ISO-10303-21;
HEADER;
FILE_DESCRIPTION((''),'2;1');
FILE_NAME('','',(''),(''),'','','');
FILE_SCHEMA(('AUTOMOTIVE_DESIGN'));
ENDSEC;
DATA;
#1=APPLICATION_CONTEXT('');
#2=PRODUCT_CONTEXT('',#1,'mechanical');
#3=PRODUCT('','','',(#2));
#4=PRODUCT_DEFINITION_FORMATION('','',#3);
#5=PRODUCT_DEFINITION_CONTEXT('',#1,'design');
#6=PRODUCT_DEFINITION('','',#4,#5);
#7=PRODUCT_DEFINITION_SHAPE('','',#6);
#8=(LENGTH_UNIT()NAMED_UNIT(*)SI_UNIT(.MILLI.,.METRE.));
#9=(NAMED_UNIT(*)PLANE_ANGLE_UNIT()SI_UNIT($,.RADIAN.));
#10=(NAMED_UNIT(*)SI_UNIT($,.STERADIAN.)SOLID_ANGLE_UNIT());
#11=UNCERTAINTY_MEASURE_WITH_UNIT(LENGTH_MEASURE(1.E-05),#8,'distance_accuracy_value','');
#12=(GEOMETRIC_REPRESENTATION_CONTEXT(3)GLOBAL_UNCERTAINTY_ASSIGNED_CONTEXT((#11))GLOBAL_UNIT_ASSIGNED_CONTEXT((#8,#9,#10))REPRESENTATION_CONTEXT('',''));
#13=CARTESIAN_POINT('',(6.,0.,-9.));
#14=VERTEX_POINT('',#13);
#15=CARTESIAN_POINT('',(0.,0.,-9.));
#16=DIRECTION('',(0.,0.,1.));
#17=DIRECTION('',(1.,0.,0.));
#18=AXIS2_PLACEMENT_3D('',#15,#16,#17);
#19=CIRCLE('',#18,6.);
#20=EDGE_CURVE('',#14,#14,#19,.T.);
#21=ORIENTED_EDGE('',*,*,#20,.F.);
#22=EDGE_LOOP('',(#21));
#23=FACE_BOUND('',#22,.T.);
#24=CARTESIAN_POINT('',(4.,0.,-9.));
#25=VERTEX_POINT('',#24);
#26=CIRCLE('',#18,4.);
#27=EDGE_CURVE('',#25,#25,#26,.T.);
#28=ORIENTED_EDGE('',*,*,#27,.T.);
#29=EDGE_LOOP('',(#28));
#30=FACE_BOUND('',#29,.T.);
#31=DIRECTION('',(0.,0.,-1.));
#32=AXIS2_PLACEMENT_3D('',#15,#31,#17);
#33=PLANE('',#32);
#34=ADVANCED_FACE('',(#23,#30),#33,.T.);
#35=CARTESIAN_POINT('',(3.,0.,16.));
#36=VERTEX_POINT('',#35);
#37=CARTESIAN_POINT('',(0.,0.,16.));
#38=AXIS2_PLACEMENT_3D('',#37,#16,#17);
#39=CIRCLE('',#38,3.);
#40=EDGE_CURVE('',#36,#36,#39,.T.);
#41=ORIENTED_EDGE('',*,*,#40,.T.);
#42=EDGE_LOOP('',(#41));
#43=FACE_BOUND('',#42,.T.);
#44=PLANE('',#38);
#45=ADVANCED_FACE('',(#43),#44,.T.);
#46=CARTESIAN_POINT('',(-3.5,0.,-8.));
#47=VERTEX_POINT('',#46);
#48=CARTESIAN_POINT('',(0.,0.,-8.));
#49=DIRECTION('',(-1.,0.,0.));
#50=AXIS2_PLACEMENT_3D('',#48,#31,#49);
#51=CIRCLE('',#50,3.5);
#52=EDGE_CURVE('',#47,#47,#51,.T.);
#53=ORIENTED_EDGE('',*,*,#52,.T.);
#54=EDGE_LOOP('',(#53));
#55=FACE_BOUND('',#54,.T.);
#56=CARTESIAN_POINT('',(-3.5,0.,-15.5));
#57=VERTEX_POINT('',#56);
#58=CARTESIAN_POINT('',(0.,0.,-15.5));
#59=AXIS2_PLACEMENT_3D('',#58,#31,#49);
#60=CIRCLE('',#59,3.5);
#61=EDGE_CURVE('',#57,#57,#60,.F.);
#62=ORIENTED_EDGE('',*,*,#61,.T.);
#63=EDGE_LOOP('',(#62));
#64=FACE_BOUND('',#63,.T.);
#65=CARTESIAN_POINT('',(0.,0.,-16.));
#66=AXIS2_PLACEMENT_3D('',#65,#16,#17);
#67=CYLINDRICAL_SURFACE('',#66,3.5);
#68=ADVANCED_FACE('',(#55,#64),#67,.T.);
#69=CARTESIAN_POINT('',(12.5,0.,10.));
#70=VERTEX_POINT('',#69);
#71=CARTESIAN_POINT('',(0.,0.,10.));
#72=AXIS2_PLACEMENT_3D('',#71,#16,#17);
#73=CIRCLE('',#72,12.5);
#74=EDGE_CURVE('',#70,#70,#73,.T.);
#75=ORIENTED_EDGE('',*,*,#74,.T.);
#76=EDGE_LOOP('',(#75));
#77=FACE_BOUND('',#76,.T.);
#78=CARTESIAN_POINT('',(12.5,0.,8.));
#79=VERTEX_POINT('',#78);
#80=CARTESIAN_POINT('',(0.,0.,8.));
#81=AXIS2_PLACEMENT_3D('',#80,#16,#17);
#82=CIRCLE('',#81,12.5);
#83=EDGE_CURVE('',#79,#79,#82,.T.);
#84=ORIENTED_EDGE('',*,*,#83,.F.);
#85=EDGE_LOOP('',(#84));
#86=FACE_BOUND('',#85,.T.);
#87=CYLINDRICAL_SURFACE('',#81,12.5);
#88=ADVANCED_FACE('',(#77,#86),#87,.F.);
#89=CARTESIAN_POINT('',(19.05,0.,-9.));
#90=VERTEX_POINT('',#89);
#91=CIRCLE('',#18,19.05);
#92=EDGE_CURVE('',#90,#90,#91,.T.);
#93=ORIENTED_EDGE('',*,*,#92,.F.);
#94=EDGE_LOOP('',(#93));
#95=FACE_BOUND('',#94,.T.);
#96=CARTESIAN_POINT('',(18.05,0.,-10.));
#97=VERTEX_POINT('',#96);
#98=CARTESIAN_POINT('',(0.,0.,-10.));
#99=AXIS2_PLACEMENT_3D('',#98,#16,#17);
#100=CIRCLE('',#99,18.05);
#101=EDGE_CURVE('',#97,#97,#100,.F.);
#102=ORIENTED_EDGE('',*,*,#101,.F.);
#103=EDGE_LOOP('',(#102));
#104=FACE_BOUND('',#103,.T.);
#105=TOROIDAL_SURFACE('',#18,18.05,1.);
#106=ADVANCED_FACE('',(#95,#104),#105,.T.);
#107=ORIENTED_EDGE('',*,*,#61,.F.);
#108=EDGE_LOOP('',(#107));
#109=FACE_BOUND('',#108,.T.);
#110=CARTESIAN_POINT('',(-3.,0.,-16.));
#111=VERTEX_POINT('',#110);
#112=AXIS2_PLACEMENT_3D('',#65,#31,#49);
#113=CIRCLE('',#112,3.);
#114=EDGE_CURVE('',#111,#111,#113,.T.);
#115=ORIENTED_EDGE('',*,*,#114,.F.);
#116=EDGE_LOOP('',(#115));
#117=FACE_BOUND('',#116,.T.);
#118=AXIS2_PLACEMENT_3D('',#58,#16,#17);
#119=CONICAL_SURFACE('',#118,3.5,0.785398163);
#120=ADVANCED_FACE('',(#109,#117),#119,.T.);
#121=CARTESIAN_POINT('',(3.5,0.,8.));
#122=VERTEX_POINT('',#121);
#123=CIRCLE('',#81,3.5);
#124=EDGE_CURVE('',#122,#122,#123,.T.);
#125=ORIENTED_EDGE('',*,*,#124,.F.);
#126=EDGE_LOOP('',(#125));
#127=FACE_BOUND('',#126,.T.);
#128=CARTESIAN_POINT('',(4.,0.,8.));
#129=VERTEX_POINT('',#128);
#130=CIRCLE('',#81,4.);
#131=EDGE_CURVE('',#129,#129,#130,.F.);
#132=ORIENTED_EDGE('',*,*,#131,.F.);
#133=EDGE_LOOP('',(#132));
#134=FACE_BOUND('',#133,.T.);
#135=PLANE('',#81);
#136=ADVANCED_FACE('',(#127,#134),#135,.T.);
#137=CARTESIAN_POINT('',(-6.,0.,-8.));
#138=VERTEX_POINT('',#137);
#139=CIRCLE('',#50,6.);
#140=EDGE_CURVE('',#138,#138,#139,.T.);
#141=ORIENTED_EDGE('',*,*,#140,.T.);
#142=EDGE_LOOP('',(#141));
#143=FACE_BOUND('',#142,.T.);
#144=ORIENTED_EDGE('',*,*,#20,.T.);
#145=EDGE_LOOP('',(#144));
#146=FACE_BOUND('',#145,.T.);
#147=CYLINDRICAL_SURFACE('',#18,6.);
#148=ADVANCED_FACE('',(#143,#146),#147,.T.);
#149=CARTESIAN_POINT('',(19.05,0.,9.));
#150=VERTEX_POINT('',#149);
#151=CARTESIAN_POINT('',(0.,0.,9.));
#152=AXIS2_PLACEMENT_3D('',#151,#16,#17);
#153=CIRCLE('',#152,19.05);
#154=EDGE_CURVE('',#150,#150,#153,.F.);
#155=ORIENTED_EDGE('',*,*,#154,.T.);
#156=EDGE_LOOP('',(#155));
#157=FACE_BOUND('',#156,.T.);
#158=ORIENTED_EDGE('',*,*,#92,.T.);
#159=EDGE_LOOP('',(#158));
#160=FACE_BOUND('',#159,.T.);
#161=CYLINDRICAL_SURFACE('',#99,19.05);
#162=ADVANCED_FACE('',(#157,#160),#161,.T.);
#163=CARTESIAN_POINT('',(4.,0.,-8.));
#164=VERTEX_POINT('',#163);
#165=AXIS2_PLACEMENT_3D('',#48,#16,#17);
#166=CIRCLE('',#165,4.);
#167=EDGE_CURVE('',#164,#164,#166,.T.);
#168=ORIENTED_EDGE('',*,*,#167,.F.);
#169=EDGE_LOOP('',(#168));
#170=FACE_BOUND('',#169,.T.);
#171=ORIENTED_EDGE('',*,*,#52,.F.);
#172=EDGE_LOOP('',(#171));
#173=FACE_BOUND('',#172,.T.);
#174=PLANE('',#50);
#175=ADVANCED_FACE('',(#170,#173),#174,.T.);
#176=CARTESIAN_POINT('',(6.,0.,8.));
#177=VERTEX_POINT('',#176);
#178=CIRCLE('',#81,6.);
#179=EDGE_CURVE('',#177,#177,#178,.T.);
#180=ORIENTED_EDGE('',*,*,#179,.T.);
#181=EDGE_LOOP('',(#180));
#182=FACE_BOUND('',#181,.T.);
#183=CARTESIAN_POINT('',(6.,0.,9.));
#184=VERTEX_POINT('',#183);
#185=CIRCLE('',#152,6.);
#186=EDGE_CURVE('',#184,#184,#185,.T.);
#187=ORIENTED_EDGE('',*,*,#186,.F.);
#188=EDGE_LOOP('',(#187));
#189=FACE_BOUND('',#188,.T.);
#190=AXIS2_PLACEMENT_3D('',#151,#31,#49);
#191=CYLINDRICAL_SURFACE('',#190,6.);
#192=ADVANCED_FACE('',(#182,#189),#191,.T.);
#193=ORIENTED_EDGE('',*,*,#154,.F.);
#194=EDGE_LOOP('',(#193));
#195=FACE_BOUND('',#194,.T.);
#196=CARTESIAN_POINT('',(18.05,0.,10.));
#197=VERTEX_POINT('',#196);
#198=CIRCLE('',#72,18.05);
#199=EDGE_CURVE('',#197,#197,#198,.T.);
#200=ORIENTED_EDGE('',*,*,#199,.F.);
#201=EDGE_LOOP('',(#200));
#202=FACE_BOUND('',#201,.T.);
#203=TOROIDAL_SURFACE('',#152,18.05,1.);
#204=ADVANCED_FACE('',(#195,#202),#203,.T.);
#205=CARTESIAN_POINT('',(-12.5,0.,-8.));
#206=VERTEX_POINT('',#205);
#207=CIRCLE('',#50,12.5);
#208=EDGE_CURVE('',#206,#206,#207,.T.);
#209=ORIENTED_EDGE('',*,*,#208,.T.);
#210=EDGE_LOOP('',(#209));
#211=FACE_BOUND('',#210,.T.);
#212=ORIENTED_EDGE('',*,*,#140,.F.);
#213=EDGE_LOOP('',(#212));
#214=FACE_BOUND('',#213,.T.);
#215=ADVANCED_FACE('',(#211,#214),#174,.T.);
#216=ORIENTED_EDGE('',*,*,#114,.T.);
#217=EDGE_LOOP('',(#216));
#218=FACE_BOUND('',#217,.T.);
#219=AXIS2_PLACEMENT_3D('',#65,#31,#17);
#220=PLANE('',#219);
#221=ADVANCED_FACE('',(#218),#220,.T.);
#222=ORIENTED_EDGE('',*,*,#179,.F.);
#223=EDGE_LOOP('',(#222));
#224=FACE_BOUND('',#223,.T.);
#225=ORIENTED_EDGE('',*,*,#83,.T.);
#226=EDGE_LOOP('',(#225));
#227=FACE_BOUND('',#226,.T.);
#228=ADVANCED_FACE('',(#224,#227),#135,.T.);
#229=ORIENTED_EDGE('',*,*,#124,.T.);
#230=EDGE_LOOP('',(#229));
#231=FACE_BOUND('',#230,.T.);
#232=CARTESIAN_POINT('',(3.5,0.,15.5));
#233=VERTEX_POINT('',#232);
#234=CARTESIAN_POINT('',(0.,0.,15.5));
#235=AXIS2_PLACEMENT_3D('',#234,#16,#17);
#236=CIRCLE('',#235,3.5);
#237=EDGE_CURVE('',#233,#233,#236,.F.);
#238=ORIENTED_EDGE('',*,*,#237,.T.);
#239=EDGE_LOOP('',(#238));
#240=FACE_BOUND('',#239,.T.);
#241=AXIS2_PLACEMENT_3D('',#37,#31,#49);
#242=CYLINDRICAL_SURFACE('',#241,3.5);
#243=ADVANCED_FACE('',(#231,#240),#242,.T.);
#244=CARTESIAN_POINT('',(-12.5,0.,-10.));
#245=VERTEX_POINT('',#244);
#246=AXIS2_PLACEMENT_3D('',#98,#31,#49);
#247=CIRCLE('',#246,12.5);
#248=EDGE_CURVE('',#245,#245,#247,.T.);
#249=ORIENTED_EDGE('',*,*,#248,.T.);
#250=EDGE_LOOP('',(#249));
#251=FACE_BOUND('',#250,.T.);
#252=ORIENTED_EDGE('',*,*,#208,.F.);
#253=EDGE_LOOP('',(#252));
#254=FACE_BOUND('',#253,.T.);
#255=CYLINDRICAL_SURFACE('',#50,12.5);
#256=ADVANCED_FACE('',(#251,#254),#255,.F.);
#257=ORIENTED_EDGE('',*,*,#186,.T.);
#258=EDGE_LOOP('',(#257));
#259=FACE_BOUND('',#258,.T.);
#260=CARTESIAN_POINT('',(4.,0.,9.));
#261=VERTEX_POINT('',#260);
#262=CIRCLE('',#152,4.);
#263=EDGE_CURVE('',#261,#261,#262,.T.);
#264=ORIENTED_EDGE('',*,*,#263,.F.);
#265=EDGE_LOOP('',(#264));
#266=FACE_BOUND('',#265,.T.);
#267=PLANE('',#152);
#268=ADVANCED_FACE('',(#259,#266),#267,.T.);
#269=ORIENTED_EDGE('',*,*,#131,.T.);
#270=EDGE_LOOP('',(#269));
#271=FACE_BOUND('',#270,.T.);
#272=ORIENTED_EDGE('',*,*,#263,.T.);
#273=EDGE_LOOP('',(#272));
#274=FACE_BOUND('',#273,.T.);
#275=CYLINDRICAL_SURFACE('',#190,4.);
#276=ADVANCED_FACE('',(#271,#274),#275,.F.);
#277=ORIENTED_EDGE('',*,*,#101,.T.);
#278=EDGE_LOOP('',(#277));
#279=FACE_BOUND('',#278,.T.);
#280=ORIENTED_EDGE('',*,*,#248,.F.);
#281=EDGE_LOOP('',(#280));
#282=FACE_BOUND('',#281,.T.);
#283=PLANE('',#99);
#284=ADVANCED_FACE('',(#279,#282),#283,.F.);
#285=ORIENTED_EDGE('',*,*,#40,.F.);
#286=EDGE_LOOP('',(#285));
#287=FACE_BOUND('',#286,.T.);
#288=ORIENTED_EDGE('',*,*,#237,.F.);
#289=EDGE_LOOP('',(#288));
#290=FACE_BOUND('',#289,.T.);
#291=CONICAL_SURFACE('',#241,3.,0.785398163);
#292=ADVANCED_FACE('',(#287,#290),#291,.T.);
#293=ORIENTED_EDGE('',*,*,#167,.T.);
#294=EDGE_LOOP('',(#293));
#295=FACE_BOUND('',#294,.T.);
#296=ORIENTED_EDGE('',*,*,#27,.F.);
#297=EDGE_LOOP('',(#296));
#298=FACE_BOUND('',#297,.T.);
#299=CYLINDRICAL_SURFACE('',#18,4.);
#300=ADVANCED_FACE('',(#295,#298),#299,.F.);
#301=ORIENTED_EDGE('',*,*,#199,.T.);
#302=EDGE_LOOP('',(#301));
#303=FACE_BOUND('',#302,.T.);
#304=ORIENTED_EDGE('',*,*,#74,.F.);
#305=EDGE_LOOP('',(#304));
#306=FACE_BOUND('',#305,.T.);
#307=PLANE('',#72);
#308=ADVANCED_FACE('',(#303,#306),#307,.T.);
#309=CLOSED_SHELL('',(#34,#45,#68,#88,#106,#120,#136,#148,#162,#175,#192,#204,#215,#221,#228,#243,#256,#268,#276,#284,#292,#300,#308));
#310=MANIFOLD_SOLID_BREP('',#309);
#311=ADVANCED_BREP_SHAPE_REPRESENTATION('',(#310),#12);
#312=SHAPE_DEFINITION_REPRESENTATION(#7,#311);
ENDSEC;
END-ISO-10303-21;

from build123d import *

# Parameters (mm, degrees)
BOSS_EXTRUDE1_DEPTH      = 10
BOSS_EXTRUDE1_DEPTH_BACK = 10
SKETCH1_R                = 19.05
FILLET1_R                = 1
SKETCH2_R                = 12.5
CUT_EXTRUDE1_DEPTH       = 2
CUT_EXTRUDE2_START       = -2
SKETCH3_R                = 12.5
CUT_EXTRUDE2_DEPTH       = 2
SKETCH4_R                = 6
SKETCH4_R_2              = 4
BOSS_EXTRUDE2_DEPTH      = 1
SKETCH5_R                = 3.5
BOSS_EXTRUDE3_DEPTH      = 8
CHAMFER1_SIZE            = 0.5


with BuildPart() as part:
    # Sketch1 → Boss-Extrude1 (new, two sides: drawn at the far end of the back side and taken through both)
    with BuildSketch(Plane.XY.offset(-BOSS_EXTRUDE1_DEPTH_BACK)):
        Circle(SKETCH1_R)
    extrude(amount=BOSS_EXTRUDE1_DEPTH + BOSS_EXTRUDE1_DEPTH_BACK)

    # Fillet1
    fillet1_edges = [part.edges().sort_by_distance(p)[0] for p in [
        (-19.05, 0, -10),
        (-19.05, 0, 10),
    ]]
    fillet(fillet1_edges, radius=FILLET1_R)

    # Sketch2 → Cut-Extrude1 (cut)
    with BuildSketch(Plane.XY.offset(10)):
        Circle(SKETCH2_R)
    extrude(amount=-CUT_EXTRUDE1_DEPTH, mode=Mode.SUBTRACT)

    # Sketch3 → Cut-Extrude2 (cut)
    with BuildSketch(Plane(origin=(0, 0, -10), x_dir=(-1, 0, 0), z_dir=(0, 0, -1)).offset(CUT_EXTRUDE2_START)):
        Circle(SKETCH3_R)
    extrude(amount=CUT_EXTRUDE2_DEPTH, mode=Mode.SUBTRACT)

    # Sketch4 → Boss-Extrude2 (add)
    with BuildSketch(Plane.XY.offset(8)):
        Circle(SKETCH4_R)
        Circle(SKETCH4_R_2, mode=Mode.SUBTRACT)
    boss_extrude2 = extrude(amount=BOSS_EXTRUDE2_DEPTH)

    # Mirror1: Boss-Extrude2 across plane
    add(boss_extrude2.mirror(Plane.XY))

    # Sketch5 → Boss-Extrude3 (add)
    with BuildSketch(Plane.XY.offset(8)):
        Circle(SKETCH5_R)
    boss_extrude3 = extrude(amount=BOSS_EXTRUDE3_DEPTH)

    # Mirror2: Boss-Extrude3 across plane
    add(boss_extrude3.mirror(Plane.XY))

    # Chamfer1
    chamfer1_edges = [part.edges().sort_by_distance(p)[0] for p in [
        (-3.5, 0, -16),
        (-3.5, 0, 16),
    ]]
    chamfer(chamfer1_edges, length=CHAMFER1_SIZE)


solid = part.part
